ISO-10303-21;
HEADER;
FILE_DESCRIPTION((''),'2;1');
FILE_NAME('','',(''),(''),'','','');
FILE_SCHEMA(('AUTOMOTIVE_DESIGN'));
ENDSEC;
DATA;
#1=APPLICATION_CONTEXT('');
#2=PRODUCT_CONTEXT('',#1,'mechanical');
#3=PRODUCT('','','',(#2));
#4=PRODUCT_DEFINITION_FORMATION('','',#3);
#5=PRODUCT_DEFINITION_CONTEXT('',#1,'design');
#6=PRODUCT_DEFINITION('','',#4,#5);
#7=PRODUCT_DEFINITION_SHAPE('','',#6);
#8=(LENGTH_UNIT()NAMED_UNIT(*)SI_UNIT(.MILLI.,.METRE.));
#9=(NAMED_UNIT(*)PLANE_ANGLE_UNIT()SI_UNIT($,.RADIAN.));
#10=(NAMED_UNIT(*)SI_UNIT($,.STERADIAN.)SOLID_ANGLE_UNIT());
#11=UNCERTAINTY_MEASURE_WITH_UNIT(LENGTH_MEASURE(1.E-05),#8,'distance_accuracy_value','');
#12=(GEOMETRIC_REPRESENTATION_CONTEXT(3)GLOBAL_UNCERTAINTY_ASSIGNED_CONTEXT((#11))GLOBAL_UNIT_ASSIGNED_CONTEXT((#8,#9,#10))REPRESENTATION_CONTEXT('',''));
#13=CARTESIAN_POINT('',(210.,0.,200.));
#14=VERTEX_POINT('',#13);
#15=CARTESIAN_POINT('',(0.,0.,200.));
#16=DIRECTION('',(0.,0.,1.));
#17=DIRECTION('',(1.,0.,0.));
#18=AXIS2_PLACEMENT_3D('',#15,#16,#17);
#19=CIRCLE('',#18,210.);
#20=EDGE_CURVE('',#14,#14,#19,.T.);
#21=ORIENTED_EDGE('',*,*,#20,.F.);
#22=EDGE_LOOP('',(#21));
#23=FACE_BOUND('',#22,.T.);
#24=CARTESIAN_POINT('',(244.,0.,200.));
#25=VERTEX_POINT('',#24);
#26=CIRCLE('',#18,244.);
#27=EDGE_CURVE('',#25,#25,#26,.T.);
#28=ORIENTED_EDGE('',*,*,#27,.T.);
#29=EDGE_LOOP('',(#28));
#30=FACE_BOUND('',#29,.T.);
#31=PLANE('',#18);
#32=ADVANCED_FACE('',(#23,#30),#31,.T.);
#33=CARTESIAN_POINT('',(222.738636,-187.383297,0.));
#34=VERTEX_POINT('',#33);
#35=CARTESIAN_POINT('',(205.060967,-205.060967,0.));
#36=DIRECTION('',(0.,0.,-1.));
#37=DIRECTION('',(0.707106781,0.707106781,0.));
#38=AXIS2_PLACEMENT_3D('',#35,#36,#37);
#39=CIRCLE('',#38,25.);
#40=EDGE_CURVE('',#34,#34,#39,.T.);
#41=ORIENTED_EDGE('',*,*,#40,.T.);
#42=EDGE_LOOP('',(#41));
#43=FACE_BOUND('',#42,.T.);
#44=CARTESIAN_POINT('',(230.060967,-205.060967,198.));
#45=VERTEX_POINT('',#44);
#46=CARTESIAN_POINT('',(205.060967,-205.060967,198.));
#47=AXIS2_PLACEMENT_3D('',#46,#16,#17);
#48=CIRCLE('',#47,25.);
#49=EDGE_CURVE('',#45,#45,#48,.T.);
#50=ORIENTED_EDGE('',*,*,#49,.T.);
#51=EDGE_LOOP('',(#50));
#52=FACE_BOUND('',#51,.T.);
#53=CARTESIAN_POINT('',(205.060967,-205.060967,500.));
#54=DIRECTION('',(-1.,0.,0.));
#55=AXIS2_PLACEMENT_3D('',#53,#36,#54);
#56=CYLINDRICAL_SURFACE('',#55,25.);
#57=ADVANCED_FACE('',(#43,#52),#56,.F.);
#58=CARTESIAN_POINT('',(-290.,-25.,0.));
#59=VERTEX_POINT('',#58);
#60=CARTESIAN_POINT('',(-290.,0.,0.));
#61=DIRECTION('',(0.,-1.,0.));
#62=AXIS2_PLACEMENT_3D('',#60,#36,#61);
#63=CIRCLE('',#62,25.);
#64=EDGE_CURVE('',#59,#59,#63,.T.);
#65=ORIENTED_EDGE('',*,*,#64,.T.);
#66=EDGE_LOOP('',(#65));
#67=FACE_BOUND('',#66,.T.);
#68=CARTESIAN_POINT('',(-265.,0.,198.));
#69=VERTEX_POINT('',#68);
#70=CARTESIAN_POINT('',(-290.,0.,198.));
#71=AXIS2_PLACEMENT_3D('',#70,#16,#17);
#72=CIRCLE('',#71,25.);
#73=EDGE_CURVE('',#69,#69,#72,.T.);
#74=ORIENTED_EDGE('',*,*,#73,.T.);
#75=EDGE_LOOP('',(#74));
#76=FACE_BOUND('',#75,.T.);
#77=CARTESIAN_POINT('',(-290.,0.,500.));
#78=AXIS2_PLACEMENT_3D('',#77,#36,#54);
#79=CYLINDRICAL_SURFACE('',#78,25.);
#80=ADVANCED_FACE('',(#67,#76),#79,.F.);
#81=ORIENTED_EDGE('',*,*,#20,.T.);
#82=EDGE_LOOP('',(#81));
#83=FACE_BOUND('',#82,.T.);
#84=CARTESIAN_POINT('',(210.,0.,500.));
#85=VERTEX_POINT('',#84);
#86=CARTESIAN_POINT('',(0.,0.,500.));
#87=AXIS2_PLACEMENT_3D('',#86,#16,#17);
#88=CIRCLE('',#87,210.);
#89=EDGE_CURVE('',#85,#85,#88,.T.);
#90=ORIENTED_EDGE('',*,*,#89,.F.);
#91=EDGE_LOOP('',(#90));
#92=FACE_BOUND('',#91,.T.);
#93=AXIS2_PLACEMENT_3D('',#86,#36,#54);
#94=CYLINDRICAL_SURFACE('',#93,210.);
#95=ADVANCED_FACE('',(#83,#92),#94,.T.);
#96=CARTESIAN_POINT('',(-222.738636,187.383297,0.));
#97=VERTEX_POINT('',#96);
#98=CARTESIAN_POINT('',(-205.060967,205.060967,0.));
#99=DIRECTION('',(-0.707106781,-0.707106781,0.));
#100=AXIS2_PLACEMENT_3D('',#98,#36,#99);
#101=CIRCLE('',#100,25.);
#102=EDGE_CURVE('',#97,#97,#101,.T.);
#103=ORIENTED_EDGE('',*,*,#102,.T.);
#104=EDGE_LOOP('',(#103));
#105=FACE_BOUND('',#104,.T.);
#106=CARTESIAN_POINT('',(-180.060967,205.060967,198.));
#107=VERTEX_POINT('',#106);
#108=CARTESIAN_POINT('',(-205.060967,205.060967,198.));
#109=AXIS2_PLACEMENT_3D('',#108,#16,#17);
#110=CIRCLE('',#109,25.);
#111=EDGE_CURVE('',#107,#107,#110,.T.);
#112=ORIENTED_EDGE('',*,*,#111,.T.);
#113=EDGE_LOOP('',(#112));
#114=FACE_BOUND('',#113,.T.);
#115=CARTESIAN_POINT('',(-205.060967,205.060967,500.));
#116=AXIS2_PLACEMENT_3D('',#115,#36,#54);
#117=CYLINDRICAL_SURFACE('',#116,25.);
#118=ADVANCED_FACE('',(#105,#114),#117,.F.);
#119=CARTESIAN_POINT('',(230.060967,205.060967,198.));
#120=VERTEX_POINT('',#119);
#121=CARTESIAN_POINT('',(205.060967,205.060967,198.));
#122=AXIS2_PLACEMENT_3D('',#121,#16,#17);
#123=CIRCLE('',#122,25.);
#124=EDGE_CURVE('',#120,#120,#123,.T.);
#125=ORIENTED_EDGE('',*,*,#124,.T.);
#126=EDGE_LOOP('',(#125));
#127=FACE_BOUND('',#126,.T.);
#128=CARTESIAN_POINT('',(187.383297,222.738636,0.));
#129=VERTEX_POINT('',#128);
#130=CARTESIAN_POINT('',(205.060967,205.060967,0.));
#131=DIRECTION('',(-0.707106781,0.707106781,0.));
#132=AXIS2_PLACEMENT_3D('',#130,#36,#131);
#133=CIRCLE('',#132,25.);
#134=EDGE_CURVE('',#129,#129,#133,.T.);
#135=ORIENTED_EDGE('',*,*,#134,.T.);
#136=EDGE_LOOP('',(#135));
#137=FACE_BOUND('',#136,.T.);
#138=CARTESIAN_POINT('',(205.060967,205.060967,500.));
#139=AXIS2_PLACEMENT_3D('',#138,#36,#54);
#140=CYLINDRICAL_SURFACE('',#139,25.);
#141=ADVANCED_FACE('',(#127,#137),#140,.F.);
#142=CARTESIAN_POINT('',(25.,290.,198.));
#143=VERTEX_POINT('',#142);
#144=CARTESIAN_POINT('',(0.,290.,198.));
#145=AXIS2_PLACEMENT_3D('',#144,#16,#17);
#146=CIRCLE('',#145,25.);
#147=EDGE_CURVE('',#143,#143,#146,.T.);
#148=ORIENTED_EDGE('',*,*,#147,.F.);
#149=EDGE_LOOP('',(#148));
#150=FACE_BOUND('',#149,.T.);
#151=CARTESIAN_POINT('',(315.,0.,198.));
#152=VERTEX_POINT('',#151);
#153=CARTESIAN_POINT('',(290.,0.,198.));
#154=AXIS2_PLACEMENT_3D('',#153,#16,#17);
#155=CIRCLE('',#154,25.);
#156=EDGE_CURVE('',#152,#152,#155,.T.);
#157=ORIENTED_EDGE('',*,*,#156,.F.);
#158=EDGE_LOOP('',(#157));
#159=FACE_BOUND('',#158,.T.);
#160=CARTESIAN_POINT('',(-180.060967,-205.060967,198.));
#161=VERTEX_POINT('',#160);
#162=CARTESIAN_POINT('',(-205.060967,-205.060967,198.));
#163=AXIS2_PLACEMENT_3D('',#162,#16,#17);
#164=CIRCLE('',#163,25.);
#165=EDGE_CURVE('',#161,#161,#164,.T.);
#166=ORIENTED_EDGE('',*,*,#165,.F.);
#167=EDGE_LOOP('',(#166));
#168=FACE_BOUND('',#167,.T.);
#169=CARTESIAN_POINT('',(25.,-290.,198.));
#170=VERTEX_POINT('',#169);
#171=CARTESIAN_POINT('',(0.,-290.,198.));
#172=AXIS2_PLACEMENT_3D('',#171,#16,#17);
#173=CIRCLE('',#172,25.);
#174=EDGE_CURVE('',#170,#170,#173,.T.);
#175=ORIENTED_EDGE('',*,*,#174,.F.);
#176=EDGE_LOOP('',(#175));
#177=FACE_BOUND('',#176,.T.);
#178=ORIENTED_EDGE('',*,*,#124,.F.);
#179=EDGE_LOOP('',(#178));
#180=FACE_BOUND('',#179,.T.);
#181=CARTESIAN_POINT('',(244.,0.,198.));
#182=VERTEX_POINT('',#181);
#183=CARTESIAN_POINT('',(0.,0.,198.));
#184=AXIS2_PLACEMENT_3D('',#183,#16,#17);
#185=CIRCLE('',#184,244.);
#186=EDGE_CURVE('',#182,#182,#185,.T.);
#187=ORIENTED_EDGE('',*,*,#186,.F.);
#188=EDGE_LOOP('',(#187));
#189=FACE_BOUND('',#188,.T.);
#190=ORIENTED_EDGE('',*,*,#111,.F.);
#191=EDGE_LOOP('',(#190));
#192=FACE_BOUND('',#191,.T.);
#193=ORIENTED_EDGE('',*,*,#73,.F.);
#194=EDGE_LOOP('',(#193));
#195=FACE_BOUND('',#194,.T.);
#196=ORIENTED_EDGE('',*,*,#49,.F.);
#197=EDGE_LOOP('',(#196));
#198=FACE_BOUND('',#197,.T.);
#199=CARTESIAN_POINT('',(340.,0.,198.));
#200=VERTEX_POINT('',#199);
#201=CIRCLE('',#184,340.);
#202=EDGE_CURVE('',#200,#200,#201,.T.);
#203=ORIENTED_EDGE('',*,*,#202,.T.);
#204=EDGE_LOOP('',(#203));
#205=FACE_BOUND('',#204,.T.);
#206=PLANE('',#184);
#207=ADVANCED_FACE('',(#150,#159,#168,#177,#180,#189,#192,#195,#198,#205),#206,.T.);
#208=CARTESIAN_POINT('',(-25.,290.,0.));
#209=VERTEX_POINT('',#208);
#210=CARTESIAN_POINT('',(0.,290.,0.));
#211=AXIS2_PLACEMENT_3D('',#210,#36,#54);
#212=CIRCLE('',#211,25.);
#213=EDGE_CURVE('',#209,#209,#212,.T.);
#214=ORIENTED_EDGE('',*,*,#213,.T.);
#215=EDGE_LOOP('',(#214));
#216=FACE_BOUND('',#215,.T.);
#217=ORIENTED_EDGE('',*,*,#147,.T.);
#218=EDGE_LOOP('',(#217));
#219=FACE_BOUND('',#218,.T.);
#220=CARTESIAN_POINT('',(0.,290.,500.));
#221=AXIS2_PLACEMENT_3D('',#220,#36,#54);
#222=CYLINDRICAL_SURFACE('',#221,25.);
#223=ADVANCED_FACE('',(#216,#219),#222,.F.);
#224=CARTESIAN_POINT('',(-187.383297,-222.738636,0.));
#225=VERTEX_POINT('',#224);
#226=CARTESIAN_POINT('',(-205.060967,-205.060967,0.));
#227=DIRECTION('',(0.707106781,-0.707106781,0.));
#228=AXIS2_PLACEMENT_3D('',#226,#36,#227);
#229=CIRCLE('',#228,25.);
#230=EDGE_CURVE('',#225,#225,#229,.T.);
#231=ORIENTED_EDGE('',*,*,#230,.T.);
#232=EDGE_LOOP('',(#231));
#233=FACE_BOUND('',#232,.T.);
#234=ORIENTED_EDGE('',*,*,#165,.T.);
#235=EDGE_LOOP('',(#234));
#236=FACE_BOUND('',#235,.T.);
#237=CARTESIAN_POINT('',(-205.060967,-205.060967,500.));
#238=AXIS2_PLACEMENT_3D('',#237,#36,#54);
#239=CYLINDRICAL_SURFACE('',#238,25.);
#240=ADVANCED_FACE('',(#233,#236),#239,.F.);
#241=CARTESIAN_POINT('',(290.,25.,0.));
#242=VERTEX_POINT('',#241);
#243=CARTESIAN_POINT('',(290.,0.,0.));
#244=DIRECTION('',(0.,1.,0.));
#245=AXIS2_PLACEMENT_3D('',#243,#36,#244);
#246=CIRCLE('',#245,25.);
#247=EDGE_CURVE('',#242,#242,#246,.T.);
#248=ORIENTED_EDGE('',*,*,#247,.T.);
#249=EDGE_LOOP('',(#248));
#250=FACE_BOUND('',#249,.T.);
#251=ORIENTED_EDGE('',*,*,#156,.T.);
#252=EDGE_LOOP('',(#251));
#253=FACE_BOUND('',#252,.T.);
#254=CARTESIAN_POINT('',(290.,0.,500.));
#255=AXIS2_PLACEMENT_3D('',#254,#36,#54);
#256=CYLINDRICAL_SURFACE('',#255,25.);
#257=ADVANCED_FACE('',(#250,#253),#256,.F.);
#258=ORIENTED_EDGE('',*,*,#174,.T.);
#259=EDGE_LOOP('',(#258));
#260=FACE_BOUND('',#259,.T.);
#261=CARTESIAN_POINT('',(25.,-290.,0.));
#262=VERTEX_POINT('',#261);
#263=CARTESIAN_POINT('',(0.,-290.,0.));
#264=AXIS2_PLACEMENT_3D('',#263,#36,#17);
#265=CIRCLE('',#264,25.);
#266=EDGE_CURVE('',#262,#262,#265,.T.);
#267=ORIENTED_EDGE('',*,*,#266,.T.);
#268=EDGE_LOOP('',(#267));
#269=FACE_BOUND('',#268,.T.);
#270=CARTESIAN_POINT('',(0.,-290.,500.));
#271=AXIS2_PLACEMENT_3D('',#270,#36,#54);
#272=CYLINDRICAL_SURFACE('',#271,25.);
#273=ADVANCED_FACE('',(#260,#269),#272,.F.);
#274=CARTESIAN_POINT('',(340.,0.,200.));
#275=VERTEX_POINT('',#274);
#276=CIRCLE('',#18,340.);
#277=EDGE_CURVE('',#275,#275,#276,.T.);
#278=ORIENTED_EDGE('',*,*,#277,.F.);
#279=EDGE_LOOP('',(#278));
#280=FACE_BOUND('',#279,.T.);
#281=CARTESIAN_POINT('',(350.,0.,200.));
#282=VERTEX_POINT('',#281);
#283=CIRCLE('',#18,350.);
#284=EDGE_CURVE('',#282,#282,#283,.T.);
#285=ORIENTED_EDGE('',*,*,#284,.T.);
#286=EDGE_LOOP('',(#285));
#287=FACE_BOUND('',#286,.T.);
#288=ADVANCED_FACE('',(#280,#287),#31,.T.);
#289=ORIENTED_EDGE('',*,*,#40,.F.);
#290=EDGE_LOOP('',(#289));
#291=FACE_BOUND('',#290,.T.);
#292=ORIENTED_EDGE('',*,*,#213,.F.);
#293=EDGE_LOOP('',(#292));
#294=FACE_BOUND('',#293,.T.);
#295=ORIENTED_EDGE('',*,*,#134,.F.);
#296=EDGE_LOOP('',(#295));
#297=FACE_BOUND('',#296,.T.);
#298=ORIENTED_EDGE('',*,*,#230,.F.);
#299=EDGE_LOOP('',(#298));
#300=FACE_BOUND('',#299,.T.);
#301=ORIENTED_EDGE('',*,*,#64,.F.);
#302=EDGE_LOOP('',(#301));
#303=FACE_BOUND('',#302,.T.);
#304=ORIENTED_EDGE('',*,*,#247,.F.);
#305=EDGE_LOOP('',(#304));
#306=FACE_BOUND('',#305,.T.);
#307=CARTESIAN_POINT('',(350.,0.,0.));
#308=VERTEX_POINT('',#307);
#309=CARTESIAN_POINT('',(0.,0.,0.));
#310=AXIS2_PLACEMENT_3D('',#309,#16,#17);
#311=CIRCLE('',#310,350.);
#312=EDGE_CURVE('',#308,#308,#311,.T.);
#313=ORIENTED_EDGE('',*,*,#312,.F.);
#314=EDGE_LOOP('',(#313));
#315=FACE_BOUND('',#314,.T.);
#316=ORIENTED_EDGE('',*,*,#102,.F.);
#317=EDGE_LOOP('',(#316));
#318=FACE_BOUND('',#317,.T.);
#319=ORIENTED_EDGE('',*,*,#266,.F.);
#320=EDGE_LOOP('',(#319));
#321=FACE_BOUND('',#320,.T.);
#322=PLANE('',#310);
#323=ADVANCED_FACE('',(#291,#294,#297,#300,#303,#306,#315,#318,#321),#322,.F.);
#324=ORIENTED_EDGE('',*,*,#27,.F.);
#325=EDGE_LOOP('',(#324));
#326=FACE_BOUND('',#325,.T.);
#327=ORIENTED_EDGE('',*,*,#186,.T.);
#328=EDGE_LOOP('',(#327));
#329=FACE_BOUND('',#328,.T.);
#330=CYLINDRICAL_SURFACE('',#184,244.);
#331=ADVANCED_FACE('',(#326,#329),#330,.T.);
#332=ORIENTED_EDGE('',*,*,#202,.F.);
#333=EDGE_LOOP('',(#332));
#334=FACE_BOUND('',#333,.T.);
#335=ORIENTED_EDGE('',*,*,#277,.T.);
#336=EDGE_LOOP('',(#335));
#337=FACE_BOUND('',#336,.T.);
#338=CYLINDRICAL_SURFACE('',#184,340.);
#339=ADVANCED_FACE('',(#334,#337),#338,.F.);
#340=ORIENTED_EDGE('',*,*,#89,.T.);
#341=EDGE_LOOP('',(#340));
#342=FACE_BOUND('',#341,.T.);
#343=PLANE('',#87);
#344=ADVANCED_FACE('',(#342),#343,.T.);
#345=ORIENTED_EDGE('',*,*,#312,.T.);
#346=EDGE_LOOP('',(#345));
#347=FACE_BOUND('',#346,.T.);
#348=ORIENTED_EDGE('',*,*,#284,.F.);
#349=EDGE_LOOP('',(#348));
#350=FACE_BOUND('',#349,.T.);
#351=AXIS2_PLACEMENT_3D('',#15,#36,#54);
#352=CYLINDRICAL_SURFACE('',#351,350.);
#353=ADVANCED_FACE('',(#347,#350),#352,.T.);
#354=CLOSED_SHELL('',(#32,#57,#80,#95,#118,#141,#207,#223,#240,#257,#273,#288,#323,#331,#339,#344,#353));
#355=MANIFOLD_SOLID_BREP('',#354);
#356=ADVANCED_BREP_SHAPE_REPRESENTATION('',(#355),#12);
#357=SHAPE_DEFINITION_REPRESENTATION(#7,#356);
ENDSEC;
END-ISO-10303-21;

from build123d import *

# Parameters (mm, degrees)
SKETCH_1_R               = 350
EXTRUDE_1_DEPTH          = 200
SKETCH_2_R               = 210
EXTRUDE_2_DEPTH          = 300
SKETCH_3_R               = 340
SKETCH_3_R_2             = 244
CUT_EXTRUDE_1_DEPTH      = 2
SKETCH_4_R               = 25
CUT_EXTRUDE_2_DEPTH      = 704.562363974
PATTERN_CIRCULAR_1_COUNT = 8


with BuildPart() as part:
    # 草图1 → 凸台-拉伸1 (new body)
    with BuildSketch(Plane.XY):
        Circle(SKETCH_1_R)
    extrude(amount=EXTRUDE_1_DEPTH)

    # 草图2 → 凸台-拉伸2 (add)
    with BuildSketch(Plane.XY.offset(200)):
        Circle(SKETCH_2_R)
    extrude(amount=EXTRUDE_2_DEPTH)

    # 草图3 → 切除-拉伸1 (cut)
    with BuildSketch(Plane.XY.offset(200)):
        Circle(SKETCH_3_R)
        Circle(SKETCH_3_R_2, mode=Mode.SUBTRACT)
    extrude(amount=-CUT_EXTRUDE_1_DEPTH, mode=Mode.SUBTRACT)

    # 草图4 → 切除-拉伸2 (cut, through all)
    with BuildSketch(Plane(origin=(0, 0, 0), x_dir=(-1, 0, 0), z_dir=(0, 0, -1))):
        with Locations((0, 290)):
            Circle(SKETCH_4_R)
    cut_extrude_2 = extrude(amount=-CUT_EXTRUDE_2_DEPTH, mode=Mode.SUBTRACT)

    # 阵列(圆周)1: 切除-拉伸2 ×8 about axis
    pattern_circular_1_axis = Axis((0, 0, 0), (0, 0, 1))
    for i in range(1, PATTERN_CIRCULAR_1_COUNT):
        add(cut_extrude_2.rotate(pattern_circular_1_axis, i * 360 / PATTERN_CIRCULAR_1_COUNT), mode=Mode.SUBTRACT)


solid = part.part
